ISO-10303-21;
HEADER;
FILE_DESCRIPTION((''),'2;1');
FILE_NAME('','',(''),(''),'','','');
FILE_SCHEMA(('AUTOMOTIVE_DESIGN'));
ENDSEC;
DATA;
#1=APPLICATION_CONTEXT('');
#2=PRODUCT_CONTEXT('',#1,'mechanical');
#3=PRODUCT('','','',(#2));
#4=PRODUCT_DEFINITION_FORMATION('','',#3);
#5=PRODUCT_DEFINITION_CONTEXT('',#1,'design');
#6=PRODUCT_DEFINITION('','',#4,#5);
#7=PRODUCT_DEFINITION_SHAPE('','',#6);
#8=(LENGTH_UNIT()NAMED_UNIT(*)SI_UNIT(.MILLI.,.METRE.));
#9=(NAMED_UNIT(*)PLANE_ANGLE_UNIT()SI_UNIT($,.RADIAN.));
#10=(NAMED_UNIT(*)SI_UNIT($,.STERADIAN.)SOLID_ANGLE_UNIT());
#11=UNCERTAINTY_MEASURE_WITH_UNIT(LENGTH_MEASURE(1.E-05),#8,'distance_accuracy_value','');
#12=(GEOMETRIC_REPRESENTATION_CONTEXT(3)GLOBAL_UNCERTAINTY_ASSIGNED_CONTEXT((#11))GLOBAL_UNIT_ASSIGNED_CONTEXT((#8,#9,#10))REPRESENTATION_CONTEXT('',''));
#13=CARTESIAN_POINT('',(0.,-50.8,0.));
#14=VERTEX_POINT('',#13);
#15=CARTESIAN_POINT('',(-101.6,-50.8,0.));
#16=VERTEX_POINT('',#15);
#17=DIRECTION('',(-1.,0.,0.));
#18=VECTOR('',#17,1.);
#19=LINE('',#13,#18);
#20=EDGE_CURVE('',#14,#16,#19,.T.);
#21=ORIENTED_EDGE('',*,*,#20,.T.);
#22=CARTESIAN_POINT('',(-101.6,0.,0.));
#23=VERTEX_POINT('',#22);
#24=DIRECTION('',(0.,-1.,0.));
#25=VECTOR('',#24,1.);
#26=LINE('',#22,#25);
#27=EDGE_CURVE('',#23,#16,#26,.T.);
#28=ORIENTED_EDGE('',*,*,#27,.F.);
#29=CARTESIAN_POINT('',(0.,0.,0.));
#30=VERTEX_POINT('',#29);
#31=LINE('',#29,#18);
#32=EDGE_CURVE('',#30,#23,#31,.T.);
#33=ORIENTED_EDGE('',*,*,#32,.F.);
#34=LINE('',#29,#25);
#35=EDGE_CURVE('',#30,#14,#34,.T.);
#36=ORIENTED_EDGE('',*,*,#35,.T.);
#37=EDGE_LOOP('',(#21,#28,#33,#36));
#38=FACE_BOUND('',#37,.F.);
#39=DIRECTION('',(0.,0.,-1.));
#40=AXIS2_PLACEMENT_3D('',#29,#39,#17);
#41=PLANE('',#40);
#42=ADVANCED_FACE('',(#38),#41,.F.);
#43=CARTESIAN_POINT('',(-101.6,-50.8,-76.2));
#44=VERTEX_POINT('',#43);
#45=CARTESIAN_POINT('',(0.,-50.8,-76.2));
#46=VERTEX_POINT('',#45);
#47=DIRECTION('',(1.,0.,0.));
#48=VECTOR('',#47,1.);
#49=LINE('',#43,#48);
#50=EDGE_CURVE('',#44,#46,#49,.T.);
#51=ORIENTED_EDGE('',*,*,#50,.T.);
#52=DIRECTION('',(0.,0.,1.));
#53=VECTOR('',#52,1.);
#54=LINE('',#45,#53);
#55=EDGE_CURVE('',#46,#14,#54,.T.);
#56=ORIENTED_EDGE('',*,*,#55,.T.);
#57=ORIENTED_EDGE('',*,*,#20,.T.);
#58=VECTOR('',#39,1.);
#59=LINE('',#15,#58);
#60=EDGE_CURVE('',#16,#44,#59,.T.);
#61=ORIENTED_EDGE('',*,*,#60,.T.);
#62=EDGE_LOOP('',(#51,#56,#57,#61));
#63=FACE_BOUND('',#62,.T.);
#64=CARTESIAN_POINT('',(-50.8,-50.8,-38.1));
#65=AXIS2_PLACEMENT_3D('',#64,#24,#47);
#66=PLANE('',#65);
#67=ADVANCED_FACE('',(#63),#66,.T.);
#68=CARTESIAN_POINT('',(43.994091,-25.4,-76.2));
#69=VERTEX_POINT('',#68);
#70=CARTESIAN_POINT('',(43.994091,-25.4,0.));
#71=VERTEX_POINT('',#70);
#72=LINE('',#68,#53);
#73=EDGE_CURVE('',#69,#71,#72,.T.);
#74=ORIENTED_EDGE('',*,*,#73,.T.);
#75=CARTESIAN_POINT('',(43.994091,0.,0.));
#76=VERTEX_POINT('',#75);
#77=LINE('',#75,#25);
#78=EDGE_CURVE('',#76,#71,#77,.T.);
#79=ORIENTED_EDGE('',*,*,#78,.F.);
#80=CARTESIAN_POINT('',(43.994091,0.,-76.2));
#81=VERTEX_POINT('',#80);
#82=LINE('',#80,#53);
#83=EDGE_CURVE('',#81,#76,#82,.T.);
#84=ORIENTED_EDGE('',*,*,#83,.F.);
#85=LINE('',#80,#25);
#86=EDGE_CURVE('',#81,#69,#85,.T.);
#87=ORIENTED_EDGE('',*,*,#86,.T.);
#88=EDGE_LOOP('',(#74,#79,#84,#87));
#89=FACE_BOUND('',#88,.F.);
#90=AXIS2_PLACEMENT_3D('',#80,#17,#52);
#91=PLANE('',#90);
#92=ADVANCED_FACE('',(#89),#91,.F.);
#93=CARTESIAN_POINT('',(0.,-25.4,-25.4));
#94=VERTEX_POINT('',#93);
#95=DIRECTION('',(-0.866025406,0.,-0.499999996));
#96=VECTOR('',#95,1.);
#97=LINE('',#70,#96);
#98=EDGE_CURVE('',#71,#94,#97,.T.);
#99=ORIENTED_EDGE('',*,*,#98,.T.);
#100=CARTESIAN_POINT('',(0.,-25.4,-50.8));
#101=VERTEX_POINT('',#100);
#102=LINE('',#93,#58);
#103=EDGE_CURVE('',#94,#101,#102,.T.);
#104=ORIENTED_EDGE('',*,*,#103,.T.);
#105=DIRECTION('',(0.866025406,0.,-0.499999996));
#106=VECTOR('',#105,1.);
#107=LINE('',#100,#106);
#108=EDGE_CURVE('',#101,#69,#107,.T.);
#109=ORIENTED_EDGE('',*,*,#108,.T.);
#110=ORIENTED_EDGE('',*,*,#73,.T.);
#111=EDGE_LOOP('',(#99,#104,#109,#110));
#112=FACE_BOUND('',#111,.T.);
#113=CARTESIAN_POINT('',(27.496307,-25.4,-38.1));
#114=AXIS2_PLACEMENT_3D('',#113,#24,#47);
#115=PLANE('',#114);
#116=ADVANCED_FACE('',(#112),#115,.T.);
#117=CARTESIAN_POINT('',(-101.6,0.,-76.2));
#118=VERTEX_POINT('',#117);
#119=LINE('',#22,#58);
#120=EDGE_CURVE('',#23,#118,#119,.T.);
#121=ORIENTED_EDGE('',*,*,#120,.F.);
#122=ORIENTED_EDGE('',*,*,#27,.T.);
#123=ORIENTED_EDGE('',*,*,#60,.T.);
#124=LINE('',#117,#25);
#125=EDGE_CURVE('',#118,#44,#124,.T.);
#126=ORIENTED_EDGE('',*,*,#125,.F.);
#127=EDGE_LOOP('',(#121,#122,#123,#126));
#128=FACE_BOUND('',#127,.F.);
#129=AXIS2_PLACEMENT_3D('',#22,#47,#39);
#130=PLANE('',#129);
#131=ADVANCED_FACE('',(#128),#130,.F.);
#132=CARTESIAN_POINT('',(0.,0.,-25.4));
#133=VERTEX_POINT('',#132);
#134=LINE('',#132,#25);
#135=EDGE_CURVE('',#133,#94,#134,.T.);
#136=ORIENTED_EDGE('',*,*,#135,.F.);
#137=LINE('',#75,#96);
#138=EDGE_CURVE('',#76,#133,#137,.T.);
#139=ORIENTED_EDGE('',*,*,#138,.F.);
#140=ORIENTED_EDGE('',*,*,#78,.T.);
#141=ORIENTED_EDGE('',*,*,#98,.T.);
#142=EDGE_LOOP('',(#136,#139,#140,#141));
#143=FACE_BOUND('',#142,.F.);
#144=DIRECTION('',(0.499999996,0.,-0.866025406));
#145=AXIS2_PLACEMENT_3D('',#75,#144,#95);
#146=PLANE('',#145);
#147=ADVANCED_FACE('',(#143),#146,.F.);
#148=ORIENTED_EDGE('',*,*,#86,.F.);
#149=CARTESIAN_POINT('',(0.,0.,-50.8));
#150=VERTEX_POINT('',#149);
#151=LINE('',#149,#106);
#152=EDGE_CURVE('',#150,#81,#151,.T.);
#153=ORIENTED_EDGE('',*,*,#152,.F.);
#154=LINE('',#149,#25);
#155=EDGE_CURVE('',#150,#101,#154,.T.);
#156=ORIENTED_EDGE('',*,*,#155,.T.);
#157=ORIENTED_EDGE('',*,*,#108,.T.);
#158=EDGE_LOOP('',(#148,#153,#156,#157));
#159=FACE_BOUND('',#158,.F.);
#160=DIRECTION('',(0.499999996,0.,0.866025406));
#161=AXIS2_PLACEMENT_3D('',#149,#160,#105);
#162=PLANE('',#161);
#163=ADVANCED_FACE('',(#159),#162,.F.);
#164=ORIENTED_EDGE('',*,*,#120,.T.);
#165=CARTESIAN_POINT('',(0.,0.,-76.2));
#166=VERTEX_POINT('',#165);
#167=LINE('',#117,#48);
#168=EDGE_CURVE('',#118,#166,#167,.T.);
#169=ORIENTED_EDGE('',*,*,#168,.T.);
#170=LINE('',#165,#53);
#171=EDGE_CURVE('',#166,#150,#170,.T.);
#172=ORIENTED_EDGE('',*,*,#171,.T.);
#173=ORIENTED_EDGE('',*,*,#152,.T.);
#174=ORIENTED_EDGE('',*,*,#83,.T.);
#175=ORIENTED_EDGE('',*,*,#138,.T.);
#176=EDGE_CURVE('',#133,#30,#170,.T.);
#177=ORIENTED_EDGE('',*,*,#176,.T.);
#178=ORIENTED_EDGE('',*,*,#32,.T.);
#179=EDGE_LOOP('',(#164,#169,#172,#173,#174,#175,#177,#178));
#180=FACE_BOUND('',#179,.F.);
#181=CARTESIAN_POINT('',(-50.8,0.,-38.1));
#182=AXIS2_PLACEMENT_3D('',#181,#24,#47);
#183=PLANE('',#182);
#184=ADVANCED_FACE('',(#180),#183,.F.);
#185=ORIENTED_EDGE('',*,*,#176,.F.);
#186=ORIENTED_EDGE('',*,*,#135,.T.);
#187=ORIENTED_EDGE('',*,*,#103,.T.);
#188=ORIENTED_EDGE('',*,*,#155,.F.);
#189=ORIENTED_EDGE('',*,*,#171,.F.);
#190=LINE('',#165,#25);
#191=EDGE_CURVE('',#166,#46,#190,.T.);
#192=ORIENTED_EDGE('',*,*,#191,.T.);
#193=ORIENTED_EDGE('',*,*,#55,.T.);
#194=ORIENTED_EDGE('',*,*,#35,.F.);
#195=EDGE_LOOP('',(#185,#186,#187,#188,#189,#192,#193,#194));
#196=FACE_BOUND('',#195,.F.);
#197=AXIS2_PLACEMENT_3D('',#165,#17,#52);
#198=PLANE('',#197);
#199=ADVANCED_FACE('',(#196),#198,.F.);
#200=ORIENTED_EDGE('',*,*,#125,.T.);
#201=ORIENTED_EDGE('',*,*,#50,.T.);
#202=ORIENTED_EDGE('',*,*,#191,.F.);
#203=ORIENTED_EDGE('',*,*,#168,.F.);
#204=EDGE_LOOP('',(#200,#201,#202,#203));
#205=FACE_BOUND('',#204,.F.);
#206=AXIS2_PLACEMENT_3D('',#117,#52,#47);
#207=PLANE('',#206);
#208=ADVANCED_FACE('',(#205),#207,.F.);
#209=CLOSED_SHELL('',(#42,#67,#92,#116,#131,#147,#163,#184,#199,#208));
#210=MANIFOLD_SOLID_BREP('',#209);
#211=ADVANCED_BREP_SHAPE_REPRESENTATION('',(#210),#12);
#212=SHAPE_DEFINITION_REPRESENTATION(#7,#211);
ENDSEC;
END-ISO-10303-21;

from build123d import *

# Parameters (mm, degrees)
F1_DEPTH = 50.8
F2_DEPTH = 25.4


with BuildPart() as f1:
    # F0 (on Front) → F1 (new body)
    with BuildSketch(Plane.XZ):
        Polygon((0, -25.4), (0, 0), (-101.6, 0), (-101.6, -76.2), (0, -76.2), (0, -50.8), align=None)
    extrude(amount=F1_DEPTH)

    # F0 (on Front) → F2 (join)
    with BuildSketch(Plane.XZ):
        Polygon((43.994091, 0), (0, -25.4), (0, -50.8), (43.994091, -76.2), align=None)
    extrude(amount=F2_DEPTH)


solid = f1.part
